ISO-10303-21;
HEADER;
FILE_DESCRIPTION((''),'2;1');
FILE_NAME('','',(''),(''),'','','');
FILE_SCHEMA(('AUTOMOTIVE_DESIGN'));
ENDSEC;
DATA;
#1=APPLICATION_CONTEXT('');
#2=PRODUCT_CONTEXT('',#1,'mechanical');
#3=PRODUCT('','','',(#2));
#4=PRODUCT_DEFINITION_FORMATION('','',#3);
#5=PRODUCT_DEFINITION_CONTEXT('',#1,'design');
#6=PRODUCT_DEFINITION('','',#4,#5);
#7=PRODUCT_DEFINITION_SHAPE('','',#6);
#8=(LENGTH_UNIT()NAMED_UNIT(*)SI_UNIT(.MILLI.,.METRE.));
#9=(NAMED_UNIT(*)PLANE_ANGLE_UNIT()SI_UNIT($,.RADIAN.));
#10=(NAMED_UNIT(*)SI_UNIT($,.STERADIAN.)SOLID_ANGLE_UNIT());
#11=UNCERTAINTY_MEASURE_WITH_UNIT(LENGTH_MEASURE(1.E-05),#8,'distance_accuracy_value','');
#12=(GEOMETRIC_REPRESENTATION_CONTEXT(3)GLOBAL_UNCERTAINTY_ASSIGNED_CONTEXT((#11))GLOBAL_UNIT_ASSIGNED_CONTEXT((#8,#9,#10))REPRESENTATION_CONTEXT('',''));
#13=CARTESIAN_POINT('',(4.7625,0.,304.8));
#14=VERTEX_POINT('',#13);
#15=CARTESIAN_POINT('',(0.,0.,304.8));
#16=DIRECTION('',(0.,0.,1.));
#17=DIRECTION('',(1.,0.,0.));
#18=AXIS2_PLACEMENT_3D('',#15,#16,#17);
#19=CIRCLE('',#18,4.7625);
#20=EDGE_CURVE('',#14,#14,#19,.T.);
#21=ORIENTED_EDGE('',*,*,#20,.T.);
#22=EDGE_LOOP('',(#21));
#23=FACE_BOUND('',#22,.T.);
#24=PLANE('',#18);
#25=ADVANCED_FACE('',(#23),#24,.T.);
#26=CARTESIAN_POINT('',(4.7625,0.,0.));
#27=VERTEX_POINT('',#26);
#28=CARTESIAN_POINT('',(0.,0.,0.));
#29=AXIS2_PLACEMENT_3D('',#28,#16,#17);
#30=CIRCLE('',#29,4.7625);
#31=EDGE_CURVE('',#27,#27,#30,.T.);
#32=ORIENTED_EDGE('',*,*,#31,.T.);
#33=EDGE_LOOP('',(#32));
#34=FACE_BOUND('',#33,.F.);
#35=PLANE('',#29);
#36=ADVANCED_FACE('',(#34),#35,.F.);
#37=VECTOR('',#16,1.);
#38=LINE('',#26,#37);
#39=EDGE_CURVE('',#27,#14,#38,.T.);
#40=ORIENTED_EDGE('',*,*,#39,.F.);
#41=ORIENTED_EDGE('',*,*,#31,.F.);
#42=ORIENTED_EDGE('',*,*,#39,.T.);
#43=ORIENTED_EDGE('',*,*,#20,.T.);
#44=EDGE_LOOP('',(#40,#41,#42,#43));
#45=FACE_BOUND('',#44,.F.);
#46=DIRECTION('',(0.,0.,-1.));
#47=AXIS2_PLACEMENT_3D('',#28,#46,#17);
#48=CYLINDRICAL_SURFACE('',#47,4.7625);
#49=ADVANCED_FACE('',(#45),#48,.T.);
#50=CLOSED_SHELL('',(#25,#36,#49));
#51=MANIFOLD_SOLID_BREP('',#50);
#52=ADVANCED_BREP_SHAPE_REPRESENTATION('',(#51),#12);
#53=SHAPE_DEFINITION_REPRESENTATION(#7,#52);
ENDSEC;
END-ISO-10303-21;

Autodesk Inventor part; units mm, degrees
ref_plane "YZ Plane" through (0, 0, 0) normal (1, 0, 0) x (0, 1, 0)
ref_plane "XZ Plane" through (0, 0, 0) normal (0, 1, 0) x (-1, 0, 0)
ref_plane "XY Plane" through (0, 0, 0) normal (0, 0, 1) x (1, 0, 0)
sketch "Sketch1" plane through (0, 0, 0) normal (0, 0, 1) x (1, 0, 0)
  circle A0 centre (0, 0) radius 4.7625
  dimension "d0" = 9.525
extrude "Extrusion1" add sketch "Sketch1" along normal blind 304.8
properties part number "rod_3-8_12 inch" material "Aluminum 6061"
